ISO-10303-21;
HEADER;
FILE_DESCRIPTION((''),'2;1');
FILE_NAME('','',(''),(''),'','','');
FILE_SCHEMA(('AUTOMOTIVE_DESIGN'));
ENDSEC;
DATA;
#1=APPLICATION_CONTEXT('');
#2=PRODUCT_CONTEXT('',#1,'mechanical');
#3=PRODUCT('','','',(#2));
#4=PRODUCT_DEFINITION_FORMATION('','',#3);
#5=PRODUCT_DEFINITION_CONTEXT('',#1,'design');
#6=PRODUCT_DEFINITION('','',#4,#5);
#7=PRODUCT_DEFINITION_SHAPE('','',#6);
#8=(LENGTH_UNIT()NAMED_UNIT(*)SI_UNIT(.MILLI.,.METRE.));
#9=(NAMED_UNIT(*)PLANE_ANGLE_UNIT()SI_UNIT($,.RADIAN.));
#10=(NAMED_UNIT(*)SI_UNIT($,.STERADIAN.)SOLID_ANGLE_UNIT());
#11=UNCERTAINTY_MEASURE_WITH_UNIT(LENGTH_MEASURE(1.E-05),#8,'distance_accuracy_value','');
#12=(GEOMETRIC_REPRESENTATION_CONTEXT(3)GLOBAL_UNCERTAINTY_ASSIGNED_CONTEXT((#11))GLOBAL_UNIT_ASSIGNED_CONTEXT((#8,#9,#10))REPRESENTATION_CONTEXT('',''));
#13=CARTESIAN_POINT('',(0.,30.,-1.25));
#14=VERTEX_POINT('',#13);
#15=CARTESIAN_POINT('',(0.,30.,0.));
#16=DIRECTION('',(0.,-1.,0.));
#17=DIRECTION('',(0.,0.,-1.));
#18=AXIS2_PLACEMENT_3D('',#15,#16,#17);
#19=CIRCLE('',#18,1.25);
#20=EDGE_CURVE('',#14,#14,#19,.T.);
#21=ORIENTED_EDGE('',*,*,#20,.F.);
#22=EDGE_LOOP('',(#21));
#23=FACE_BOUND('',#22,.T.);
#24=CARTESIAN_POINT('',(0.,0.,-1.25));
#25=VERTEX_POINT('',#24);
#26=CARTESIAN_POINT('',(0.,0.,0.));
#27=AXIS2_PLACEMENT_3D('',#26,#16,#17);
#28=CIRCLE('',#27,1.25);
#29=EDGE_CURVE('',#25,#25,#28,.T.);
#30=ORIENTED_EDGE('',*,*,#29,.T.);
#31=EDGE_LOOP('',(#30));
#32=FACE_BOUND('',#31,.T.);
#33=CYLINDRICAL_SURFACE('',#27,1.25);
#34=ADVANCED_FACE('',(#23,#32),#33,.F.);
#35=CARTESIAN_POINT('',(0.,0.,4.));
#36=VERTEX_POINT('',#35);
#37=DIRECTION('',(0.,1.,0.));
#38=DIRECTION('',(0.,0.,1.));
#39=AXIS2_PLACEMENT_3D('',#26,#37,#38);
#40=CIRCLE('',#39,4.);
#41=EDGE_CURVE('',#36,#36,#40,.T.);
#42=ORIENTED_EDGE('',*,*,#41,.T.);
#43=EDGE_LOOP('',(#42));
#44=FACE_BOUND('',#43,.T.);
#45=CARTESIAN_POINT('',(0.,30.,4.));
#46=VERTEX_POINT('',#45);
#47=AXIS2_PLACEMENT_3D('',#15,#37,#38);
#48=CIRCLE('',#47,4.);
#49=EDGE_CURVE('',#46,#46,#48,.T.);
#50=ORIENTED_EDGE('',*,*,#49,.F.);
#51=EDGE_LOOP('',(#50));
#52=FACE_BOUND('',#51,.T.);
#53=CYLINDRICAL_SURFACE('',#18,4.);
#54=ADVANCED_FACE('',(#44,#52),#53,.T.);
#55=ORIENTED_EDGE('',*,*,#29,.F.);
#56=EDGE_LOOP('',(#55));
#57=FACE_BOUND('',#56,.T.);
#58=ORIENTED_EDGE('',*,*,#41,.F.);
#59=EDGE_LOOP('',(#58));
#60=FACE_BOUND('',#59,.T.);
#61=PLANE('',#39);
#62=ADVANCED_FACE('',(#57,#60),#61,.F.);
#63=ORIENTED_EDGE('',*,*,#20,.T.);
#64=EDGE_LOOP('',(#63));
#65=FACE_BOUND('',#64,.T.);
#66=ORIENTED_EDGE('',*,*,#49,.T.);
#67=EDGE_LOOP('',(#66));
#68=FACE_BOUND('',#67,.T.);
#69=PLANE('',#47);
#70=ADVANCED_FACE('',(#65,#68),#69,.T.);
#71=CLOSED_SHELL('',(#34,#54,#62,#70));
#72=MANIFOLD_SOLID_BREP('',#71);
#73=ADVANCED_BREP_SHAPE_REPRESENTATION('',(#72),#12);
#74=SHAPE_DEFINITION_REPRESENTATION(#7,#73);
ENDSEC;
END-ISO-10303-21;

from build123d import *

# Parameters (mm, degrees)
SKETCH_1_R      = 4
EXTRUDE_1_DEPTH = 30
M3X0_51_D       = 2.5


with BuildPart() as part:
    # Эскиз1 → Бобышка-Вытянуть1 (new body)
    with BuildSketch(Plane(origin=(0, 0, 0), x_dir=(1, 0, 0), z_dir=(0, 1, 0))):
        with Locations(Location((0, 0, 0), (0, 0, 270))):
            Circle(SKETCH_1_R)
    extrude(amount=EXTRUDE_1_DEPTH)

    # Отверстие обработанное метчиком M3x0.51 (through all)
    with Locations(Plane(origin=(0, 0, 0), x_dir=(-1, 0, 0), z_dir=(0, -1, 0))):
        with Locations((0, 0)):
            Hole(M3X0_51_D / 2)


solid = part.part
